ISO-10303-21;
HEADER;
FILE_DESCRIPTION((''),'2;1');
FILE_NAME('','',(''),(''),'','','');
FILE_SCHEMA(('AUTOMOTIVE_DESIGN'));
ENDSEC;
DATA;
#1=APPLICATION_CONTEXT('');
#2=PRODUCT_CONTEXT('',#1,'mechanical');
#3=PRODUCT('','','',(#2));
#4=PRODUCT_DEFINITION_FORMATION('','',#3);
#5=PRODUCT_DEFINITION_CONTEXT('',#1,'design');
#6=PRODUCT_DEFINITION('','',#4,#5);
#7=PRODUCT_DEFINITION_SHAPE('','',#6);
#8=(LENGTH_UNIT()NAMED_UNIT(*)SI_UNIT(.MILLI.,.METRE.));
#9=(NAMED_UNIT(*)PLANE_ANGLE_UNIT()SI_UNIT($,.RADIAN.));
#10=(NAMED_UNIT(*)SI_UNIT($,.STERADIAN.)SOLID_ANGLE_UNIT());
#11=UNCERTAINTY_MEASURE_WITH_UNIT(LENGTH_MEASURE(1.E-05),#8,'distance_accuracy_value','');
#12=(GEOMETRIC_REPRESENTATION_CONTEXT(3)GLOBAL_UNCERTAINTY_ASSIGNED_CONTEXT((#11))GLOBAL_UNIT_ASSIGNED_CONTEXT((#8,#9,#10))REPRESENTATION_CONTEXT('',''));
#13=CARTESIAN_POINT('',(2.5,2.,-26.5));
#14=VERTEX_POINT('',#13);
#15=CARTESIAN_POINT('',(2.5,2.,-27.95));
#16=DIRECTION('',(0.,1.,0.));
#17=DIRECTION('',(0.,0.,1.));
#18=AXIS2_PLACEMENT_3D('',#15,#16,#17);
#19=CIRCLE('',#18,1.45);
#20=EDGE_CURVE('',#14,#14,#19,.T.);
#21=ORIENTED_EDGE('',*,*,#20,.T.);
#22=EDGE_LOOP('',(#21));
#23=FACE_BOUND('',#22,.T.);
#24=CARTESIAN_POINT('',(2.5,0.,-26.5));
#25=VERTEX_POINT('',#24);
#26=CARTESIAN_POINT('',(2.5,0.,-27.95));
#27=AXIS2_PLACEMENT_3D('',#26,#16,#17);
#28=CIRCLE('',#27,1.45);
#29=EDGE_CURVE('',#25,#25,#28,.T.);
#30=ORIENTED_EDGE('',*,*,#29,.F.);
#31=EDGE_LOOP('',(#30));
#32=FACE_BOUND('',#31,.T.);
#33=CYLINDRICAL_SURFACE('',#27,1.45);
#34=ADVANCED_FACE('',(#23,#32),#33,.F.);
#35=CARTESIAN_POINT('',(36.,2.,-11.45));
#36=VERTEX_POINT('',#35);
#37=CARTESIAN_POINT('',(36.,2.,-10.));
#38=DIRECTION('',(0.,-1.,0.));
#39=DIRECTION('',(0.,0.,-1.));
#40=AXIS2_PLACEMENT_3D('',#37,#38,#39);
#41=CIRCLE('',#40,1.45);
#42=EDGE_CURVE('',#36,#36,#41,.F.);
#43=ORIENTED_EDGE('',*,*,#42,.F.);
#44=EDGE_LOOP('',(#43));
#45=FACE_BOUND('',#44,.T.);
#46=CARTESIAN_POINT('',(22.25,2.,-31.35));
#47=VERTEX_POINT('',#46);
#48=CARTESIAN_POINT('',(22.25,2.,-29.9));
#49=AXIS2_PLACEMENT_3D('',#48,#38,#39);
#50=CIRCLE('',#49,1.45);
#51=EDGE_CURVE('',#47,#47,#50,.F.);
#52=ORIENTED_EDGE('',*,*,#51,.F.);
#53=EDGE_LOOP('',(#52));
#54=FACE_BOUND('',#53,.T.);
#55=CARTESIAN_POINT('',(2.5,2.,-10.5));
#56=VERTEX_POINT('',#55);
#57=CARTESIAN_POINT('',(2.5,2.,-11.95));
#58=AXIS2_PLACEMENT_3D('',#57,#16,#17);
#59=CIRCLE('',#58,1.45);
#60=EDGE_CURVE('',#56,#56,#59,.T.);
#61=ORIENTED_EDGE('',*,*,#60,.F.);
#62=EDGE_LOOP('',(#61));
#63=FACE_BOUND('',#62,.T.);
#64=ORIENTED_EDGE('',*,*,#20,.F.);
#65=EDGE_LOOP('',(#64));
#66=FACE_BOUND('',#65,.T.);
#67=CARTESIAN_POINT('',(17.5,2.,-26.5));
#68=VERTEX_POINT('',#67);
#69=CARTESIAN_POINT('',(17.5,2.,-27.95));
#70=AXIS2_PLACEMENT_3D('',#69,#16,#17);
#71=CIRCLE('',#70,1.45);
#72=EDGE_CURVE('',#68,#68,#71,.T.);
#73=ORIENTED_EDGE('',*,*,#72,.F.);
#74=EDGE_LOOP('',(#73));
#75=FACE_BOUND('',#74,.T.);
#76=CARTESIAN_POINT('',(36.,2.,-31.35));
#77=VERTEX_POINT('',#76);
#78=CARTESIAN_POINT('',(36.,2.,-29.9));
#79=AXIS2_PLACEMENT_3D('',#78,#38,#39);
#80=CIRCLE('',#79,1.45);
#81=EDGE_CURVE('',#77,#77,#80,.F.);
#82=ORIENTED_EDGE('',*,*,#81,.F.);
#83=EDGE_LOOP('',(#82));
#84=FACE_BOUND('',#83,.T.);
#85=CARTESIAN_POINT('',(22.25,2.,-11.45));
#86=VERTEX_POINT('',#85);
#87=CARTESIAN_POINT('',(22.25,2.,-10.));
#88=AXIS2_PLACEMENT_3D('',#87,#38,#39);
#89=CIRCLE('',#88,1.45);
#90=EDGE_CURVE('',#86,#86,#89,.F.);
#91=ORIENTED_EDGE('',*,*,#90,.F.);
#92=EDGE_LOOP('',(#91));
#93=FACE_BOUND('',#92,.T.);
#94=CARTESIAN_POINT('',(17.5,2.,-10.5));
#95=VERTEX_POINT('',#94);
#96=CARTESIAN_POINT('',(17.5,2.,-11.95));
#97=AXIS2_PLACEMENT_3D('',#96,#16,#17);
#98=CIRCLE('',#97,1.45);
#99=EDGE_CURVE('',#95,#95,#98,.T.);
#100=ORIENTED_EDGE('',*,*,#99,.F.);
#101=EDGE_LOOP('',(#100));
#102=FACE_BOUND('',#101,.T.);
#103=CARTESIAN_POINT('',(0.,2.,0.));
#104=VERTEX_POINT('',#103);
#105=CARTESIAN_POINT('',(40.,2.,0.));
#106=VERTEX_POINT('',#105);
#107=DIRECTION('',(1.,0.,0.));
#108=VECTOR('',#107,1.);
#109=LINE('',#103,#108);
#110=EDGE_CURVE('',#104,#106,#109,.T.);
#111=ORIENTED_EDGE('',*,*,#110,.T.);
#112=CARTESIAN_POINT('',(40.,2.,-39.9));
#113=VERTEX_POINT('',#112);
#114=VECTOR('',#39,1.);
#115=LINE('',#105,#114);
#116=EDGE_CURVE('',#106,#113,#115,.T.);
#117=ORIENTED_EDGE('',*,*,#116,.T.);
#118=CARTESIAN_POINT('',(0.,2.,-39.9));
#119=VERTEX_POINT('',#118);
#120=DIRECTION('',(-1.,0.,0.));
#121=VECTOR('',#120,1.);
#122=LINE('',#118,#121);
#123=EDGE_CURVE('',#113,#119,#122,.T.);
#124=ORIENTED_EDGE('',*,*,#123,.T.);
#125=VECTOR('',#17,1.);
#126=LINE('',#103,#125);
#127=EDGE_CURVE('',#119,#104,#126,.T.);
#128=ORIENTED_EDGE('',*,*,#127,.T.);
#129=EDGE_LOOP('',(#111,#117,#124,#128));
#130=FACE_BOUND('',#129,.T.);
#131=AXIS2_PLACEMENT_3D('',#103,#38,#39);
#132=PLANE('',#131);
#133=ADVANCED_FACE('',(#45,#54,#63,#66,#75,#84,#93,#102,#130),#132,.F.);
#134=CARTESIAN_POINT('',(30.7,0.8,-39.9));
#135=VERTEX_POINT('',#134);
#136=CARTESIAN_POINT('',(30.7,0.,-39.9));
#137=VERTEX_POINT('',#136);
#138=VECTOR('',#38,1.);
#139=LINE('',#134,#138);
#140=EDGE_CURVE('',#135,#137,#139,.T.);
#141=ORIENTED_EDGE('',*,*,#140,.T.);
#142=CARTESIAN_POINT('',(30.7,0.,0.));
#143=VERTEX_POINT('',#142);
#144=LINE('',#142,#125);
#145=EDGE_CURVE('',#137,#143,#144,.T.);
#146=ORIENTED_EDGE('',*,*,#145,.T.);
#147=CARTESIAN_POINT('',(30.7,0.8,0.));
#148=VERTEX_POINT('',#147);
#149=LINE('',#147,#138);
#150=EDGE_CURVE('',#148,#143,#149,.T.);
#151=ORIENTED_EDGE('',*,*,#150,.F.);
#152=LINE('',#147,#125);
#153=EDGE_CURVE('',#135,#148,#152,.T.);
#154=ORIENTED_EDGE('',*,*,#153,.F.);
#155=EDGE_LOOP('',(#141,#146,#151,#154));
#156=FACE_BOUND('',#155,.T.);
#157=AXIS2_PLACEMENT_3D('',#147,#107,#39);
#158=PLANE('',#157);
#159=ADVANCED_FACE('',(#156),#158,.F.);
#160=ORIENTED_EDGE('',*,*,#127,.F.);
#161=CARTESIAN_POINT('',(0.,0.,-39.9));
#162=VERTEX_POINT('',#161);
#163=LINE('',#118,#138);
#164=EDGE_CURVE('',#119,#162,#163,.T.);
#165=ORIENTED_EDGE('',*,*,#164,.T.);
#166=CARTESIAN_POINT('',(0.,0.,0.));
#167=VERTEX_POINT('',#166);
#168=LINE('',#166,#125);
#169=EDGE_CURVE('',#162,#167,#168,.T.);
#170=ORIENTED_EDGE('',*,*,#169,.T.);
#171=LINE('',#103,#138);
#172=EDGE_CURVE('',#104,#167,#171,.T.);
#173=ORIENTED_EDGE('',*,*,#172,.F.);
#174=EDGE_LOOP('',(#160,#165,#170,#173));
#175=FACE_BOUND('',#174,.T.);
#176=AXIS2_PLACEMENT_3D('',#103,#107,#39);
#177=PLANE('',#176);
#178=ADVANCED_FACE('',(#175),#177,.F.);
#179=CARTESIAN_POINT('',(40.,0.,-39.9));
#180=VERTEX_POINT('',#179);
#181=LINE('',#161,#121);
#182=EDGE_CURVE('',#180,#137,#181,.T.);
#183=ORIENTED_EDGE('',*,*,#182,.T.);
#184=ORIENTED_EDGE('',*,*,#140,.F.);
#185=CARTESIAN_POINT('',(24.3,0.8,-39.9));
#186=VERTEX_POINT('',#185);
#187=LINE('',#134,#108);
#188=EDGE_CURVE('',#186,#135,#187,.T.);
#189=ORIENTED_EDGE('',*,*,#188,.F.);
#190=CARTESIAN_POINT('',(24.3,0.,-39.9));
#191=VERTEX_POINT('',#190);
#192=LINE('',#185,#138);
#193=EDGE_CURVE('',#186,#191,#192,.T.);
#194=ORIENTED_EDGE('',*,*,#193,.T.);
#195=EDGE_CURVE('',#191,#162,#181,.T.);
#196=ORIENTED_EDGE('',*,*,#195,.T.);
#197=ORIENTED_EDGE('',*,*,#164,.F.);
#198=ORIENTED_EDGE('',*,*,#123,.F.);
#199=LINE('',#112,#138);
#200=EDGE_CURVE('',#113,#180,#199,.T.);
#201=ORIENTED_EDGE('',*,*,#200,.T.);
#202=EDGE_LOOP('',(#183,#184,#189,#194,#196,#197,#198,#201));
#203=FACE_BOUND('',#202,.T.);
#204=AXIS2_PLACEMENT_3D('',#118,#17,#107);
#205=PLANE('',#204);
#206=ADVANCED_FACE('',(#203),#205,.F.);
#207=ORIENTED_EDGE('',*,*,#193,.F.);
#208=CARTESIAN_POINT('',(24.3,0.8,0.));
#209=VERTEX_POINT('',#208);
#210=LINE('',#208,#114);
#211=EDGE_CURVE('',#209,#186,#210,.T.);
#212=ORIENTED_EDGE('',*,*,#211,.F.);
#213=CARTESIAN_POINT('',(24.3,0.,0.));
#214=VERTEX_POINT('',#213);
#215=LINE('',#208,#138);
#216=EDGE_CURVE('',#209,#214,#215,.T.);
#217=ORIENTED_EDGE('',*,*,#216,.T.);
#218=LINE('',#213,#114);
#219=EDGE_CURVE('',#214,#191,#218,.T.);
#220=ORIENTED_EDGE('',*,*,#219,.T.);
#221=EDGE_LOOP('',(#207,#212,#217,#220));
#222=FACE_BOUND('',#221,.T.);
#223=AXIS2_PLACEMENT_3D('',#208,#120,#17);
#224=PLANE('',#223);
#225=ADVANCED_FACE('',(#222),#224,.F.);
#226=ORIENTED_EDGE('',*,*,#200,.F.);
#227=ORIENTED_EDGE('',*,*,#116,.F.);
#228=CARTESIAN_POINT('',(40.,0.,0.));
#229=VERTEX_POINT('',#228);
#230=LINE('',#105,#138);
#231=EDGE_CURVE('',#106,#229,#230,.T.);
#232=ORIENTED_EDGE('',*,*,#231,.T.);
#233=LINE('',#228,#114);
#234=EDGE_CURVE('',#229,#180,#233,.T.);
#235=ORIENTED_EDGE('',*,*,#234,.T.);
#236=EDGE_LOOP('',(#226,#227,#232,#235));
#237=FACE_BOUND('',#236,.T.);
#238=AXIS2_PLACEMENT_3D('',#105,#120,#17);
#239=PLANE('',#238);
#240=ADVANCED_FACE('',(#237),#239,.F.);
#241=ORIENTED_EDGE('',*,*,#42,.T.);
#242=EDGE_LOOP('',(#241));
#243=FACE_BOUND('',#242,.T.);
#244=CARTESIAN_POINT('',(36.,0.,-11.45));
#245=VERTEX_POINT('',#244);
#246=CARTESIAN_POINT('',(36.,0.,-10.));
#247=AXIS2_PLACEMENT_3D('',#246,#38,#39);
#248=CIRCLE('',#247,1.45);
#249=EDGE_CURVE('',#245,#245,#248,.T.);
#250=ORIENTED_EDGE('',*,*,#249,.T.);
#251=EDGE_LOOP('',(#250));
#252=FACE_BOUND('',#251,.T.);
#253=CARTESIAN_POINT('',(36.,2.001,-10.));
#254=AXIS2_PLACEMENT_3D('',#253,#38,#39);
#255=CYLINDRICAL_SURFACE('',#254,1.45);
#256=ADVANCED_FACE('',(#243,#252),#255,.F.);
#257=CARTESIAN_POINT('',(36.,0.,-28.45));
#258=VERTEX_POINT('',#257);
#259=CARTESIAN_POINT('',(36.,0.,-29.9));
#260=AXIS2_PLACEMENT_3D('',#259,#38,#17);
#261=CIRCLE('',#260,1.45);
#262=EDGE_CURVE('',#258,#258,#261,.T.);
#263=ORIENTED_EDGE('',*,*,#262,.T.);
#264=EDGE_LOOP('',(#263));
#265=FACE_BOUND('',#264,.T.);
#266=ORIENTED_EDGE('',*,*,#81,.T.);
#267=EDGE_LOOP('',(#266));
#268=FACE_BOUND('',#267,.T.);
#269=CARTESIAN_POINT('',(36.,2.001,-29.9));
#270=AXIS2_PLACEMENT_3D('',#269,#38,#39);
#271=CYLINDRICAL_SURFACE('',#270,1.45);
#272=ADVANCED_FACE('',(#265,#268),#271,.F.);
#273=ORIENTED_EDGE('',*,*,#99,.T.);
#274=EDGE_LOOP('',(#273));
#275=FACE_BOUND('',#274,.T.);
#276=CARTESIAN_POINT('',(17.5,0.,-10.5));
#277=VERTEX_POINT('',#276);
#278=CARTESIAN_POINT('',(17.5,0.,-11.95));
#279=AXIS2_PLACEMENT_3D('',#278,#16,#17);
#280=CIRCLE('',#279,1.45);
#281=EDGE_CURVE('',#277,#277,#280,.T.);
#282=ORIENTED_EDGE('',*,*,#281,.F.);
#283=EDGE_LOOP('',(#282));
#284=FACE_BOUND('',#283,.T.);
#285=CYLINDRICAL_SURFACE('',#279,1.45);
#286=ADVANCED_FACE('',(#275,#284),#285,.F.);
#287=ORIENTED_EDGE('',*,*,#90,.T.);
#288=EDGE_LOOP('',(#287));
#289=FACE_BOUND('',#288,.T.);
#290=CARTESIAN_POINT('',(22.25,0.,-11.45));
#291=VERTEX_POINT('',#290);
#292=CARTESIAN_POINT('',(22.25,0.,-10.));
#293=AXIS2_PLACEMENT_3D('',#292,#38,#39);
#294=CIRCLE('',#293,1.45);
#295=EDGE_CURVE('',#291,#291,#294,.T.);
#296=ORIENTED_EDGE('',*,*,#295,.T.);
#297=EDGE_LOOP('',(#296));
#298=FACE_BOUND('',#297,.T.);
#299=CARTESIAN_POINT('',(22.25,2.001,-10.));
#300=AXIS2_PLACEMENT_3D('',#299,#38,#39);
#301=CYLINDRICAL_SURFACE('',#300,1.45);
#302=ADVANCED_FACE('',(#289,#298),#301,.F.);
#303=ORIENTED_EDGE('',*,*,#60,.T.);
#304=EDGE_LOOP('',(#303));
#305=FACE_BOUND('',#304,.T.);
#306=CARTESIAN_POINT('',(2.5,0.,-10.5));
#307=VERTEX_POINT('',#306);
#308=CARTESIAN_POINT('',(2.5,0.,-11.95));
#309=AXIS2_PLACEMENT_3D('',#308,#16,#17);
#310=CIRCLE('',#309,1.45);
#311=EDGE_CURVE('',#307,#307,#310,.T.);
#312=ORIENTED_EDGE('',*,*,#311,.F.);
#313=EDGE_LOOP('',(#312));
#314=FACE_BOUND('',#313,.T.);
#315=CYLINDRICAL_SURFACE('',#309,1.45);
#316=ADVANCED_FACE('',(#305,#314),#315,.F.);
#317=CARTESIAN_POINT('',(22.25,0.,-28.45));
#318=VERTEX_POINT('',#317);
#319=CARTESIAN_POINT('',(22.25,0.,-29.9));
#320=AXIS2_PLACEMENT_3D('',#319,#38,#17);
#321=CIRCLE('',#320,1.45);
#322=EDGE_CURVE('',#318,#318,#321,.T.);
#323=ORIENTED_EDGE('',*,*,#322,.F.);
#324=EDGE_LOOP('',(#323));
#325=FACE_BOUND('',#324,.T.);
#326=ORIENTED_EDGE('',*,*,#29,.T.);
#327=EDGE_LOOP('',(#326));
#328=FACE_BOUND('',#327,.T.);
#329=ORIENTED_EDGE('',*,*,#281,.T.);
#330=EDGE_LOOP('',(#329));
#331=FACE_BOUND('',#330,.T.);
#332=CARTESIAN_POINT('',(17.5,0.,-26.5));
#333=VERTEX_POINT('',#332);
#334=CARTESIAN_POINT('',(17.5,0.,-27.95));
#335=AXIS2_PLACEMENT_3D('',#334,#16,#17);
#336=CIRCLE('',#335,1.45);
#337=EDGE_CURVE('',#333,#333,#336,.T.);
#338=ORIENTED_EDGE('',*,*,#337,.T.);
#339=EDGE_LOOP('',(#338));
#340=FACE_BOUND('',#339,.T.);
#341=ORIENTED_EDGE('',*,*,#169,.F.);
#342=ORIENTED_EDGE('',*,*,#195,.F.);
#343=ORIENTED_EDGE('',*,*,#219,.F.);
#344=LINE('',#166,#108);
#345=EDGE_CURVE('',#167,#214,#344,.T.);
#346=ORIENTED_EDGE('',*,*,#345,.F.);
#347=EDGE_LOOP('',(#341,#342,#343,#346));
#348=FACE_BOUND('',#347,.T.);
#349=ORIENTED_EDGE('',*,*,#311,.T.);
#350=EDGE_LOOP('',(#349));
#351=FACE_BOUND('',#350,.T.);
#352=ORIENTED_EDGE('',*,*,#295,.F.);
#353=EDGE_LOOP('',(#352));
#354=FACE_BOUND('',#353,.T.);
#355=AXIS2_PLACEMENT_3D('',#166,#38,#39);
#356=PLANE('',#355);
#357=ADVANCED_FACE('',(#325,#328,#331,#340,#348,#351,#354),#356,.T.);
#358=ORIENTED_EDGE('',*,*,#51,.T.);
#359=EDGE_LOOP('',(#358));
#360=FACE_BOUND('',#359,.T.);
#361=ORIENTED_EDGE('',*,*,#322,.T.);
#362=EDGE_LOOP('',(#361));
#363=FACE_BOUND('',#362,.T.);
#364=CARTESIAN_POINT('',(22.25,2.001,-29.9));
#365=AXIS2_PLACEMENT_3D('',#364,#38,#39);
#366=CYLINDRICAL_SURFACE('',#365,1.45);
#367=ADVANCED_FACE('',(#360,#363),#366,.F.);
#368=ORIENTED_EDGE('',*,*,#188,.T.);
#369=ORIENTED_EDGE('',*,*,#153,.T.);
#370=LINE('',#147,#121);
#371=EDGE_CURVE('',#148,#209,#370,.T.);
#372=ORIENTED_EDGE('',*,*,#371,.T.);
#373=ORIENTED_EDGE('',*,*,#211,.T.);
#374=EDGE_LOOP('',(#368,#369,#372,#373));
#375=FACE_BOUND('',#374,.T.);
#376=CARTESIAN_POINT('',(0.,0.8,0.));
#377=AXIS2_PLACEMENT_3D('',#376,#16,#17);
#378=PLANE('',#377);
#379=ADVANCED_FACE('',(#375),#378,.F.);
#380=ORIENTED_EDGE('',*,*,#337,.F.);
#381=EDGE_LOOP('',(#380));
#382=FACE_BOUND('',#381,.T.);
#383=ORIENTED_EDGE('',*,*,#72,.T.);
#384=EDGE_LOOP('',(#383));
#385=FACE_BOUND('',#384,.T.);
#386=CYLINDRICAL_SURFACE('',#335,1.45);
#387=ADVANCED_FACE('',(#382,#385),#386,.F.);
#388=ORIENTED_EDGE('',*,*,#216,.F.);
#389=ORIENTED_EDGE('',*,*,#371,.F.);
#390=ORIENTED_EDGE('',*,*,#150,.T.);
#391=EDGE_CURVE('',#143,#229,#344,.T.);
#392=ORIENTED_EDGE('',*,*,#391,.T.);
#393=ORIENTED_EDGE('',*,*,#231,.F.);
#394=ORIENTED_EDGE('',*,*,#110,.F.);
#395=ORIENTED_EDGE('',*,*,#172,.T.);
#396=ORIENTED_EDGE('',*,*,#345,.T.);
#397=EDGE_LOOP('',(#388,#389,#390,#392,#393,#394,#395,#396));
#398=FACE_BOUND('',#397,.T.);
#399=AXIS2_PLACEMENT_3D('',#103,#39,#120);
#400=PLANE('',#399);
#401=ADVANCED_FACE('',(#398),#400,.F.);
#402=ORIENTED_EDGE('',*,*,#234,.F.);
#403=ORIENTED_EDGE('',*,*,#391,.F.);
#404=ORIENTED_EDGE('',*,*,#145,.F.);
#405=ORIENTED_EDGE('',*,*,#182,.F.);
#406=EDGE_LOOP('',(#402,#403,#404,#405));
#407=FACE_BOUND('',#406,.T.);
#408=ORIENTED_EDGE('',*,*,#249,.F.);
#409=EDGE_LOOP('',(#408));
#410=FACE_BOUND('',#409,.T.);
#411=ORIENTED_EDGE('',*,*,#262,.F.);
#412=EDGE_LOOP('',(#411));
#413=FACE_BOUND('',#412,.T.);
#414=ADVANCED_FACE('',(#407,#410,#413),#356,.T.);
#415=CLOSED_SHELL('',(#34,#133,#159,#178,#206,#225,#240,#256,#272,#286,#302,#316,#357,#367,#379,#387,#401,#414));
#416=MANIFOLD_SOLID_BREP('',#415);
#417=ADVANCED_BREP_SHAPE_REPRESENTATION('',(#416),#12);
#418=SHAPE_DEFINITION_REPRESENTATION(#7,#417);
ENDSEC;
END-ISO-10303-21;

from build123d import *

# Parameters (mm, degrees)
SKETCH_1_W          = 40
SKETCH_1_H          = 39.9
EXTRUDE_1_DEPTH     = 2
SKETCH_2_R          = 1.45
CUT_EXTRUDE_1_DEPTH = 2
CUT_EXTRUDE_3_REACH = 58.533
SKETCH_5_R          = 1.45
SKETCH_7_W          = 6.4
SKETCH_7_H          = 39.9
CUT_EXTRUDE_5_DEPTH = 0.8


with BuildPart() as part:
    # 草图1 → 凸台-拉伸1 (new body)
    with BuildSketch(Plane(origin=(0, 0, 0), x_dir=(1, 0, 0), z_dir=(0, 1, 0))):
        with Locations((20, 19.95)):
            Rectangle(SKETCH_1_W, SKETCH_1_H)
    extrude(amount=EXTRUDE_1_DEPTH)

    # 草图2 → 切除-拉伸1 (cut)
    with BuildSketch(Plane(origin=(0, 2, 0), x_dir=(1, 0, 0), z_dir=(0, 1, 0))):
        with Locations(Location((2.5, 11.95, 0), (0, 0, 270))):
            Circle(SKETCH_2_R)
        with Locations(Location((17.5, 11.95, 0), (0, 0, 270))):
            Circle(SKETCH_2_R)
        with Locations(Location((17.5, 27.95, 0), (0, 0, 270))):
            Circle(SKETCH_2_R)
        with Locations(Location((2.5, 27.95, 0), (0, 0, 270))):
            Circle(SKETCH_2_R)
    extrude(amount=-CUT_EXTRUDE_1_DEPTH, mode=Mode.SUBTRACT)

    # 草图5 → 切除-拉伸3 (cut, up to next)
    with BuildSketch(Plane.XZ, mode=Mode.PRIVATE) as cut_extrude_3_sk1:
        with Locations(Location((22.25, -10, 0), (0, 0, 270))):
            Circle(SKETCH_5_R)
    cut_extrude_3_tool1 = extrude(cut_extrude_3_sk1.sketch, amount=-CUT_EXTRUDE_3_REACH, mode=Mode.PRIVATE) & part.part
    # 草图5 → 切除-拉伸3 (cut, up to next)
    with BuildSketch(Plane.XZ, mode=Mode.PRIVATE) as cut_extrude_3_sk2:
        with Locations(Location((36, -10, 0), (0, 0, 270))):
            Circle(SKETCH_5_R)
    cut_extrude_3_tool2 = extrude(cut_extrude_3_sk2.sketch, amount=-CUT_EXTRUDE_3_REACH, mode=Mode.PRIVATE) & part.part
    # 草图5 → 切除-拉伸3 (cut, up to next)
    with BuildSketch(Plane.XZ, mode=Mode.PRIVATE) as cut_extrude_3_sk3:
        with Locations(Location((36, -29.9, 0), (0, 0, 270))):
            Circle(SKETCH_5_R)
    cut_extrude_3_tool3 = extrude(cut_extrude_3_sk3.sketch, amount=-CUT_EXTRUDE_3_REACH, mode=Mode.PRIVATE) & part.part
    # 草图5 → 切除-拉伸3 (cut, up to next)
    with BuildSketch(Plane.XZ, mode=Mode.PRIVATE) as cut_extrude_3_sk4:
        with Locations(Location((22.25, -29.9, 0), (0, 0, 270))):
            Circle(SKETCH_5_R)
    cut_extrude_3_tool4 = extrude(cut_extrude_3_sk4.sketch, amount=-CUT_EXTRUDE_3_REACH, mode=Mode.PRIVATE) & part.part
    add(cut_extrude_3_tool1.solids().sort_by_distance((22.25, 0, -10))[0], mode=Mode.SUBTRACT)
    add(cut_extrude_3_tool2.solids().sort_by_distance((36, 0, -10))[0], mode=Mode.SUBTRACT)
    add(cut_extrude_3_tool3.solids().sort_by_distance((36, 0, -29.9))[0], mode=Mode.SUBTRACT)
    add(cut_extrude_3_tool4.solids().sort_by_distance((22.25, 0, -29.9))[0], mode=Mode.SUBTRACT)

    # 草图7 → 切除-拉伸5 (cut)
    with BuildSketch(Plane.XZ):
        with Locations((27.5, -19.95)):
            Rectangle(SKETCH_7_W, SKETCH_7_H)
    extrude(amount=-CUT_EXTRUDE_5_DEPTH, mode=Mode.SUBTRACT)


solid = part.part
